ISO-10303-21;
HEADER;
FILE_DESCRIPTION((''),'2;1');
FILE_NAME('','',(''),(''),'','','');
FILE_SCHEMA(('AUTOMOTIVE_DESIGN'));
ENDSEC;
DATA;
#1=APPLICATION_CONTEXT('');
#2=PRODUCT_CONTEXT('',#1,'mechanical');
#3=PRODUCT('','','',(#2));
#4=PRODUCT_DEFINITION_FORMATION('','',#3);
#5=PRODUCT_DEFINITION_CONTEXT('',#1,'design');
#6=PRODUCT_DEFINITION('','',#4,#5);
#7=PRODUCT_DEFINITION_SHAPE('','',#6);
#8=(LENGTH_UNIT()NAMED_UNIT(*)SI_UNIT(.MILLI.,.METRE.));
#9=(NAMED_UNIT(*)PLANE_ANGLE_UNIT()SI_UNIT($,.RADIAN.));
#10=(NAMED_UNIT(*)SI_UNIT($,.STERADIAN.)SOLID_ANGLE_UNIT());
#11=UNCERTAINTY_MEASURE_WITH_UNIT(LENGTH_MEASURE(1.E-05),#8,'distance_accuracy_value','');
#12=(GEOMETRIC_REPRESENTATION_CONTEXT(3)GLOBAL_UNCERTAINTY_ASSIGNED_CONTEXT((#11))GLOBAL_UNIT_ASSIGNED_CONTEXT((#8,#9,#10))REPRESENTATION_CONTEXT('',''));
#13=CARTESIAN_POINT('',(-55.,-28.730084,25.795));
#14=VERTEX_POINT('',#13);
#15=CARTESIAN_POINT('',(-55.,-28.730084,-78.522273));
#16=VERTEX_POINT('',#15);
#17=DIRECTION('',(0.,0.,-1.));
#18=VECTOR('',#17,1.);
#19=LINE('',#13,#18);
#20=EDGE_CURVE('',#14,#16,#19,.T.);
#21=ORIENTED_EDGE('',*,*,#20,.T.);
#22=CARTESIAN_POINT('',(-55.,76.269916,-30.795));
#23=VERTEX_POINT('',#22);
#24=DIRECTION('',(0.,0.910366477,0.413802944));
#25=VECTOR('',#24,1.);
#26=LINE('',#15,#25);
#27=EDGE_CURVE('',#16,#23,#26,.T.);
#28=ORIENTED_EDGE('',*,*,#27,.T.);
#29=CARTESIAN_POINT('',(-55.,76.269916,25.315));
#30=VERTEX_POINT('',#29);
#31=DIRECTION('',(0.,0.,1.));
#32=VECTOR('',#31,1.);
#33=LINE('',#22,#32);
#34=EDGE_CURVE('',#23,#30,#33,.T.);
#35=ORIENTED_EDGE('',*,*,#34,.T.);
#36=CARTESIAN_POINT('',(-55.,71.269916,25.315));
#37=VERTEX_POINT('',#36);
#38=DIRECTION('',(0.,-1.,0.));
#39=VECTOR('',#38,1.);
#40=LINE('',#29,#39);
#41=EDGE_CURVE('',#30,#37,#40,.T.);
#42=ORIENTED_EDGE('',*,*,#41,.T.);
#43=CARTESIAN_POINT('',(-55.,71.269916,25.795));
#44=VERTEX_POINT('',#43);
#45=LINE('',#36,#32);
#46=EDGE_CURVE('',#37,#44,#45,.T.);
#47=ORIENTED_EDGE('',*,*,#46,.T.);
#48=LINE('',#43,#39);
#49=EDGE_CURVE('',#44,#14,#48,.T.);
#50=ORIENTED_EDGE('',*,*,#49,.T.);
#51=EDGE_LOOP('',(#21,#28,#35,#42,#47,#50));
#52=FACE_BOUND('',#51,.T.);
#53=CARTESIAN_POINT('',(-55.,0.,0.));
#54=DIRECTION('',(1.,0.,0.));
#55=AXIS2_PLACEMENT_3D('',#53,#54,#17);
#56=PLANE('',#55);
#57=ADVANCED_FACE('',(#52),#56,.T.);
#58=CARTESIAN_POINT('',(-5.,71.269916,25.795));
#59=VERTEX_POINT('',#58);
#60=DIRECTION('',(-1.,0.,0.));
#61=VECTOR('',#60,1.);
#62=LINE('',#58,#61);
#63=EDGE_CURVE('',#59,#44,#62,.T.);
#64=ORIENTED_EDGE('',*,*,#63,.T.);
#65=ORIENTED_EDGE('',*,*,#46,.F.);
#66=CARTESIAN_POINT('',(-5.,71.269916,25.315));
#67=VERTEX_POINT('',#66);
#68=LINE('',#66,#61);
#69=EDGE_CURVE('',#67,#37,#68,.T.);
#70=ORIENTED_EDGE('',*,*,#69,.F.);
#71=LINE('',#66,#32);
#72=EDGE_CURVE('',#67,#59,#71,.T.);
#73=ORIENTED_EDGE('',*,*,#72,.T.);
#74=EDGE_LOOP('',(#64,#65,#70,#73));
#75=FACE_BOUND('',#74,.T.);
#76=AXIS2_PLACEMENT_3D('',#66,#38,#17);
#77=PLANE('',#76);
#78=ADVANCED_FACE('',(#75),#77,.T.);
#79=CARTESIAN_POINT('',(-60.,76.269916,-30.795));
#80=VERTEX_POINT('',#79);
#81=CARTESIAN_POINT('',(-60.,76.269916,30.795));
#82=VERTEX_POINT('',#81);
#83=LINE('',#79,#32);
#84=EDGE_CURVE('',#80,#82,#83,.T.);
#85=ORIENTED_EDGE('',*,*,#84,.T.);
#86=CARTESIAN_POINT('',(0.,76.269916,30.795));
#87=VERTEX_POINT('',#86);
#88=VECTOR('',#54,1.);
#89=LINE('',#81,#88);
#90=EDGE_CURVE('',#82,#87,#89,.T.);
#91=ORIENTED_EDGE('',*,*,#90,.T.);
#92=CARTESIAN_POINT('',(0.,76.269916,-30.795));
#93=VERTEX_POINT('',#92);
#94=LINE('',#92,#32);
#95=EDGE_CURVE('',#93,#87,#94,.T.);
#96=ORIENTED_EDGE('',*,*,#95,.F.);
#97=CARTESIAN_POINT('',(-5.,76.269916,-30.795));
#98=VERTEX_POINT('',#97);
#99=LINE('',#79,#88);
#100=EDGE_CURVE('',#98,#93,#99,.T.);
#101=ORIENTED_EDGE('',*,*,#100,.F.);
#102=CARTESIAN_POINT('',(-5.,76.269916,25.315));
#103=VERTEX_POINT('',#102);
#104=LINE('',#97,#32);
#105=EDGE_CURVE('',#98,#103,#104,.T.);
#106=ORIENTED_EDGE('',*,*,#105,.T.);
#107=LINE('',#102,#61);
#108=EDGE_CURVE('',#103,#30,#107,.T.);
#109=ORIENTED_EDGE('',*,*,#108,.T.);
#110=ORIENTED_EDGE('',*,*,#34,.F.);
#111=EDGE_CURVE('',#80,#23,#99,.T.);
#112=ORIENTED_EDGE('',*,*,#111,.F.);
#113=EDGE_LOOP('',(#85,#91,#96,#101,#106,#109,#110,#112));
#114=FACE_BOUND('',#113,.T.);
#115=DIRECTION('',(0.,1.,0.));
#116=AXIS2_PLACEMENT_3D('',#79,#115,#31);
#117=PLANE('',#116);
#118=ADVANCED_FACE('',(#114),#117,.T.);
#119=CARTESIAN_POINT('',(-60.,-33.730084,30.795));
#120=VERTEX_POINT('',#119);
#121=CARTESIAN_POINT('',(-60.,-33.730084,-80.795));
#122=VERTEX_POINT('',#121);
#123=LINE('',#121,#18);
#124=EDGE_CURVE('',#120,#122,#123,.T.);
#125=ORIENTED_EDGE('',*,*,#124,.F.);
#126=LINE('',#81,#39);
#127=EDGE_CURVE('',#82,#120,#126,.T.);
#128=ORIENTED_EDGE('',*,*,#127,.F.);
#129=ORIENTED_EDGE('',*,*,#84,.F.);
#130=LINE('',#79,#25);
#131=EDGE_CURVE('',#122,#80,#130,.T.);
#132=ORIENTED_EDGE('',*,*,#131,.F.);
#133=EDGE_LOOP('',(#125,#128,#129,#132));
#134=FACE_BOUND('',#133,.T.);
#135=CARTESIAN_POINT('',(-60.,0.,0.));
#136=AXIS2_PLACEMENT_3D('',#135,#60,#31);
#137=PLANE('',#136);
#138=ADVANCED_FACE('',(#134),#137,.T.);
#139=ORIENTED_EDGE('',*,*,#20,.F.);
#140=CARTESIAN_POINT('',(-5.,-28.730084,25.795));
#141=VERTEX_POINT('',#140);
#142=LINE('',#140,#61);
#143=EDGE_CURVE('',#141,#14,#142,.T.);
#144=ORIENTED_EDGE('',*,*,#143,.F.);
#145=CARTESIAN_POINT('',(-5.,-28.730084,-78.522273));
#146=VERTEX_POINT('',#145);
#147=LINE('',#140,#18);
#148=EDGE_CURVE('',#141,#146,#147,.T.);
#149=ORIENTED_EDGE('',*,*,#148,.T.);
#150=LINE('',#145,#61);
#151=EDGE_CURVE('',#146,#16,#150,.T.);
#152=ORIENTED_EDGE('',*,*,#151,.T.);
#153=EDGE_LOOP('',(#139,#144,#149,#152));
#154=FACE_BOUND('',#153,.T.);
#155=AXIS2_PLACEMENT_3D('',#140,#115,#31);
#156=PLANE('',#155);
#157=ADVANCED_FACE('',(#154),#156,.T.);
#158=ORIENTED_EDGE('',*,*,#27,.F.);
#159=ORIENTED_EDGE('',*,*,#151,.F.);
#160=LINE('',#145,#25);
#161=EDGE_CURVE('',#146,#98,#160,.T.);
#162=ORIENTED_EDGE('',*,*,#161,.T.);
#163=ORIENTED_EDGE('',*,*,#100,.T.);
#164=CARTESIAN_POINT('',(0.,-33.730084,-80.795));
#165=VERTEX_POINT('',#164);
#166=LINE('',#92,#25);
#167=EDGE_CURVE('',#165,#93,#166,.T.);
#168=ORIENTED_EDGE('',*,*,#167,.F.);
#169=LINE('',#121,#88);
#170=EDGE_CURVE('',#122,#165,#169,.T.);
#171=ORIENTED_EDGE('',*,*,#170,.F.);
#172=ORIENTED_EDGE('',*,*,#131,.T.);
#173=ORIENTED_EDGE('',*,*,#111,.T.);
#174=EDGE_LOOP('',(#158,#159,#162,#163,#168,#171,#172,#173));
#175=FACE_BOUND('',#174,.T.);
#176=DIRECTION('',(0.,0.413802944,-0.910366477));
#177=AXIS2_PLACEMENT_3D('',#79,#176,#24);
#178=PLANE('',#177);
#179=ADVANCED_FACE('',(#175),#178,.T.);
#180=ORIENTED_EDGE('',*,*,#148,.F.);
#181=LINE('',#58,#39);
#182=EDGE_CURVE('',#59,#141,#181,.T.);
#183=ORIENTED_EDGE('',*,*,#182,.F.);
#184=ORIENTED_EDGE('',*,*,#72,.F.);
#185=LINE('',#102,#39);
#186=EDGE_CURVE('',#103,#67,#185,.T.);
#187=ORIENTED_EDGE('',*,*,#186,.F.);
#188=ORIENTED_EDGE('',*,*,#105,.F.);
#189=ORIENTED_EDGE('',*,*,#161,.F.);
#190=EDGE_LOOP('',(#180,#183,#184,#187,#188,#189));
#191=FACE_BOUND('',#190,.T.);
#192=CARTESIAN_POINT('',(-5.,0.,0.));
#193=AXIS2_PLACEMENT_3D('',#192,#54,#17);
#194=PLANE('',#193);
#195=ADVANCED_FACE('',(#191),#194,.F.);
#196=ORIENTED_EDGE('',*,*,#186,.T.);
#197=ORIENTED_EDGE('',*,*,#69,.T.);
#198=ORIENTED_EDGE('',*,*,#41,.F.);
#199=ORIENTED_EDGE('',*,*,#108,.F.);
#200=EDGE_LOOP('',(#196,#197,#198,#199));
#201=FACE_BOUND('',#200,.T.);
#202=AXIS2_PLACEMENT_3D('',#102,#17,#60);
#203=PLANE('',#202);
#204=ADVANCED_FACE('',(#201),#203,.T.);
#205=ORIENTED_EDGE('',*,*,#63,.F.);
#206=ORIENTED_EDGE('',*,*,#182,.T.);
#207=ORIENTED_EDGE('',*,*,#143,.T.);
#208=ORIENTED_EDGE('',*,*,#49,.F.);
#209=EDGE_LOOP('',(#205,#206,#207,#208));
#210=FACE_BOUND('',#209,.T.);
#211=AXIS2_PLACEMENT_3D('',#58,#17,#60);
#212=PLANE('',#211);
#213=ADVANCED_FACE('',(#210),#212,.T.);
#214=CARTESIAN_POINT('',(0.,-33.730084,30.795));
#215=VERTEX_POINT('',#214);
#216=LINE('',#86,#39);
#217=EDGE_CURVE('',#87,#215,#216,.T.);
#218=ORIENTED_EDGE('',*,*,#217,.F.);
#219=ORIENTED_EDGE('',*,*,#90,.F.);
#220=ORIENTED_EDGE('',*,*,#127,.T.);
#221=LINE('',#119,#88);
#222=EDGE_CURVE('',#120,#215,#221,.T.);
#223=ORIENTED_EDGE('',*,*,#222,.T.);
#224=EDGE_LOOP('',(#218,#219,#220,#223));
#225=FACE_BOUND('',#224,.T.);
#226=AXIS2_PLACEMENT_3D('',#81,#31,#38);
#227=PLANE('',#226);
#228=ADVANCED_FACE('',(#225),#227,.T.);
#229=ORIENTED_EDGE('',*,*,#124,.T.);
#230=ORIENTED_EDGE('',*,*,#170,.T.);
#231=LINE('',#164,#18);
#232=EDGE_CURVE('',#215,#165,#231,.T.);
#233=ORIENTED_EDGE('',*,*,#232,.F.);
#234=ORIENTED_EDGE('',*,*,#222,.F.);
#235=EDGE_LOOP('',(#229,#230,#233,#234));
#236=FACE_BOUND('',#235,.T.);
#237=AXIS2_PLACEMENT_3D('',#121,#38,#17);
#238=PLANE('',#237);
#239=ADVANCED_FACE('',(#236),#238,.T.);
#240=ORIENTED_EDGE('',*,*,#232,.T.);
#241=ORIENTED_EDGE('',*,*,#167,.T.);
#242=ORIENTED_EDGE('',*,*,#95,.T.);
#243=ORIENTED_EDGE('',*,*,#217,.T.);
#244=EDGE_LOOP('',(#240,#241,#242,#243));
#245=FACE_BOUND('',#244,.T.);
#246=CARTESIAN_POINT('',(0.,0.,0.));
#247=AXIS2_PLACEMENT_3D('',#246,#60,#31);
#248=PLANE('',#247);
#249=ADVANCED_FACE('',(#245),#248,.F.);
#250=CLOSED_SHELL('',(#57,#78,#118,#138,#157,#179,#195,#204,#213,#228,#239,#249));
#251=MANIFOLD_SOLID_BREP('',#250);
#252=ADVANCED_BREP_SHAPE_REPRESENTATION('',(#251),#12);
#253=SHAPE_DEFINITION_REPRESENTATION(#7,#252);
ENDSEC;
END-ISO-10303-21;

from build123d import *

# Parameters (mm, degrees)
BOSS_EXTRUDE1_DEPTH     = 60
CUT_EXTRUDE1_DEPTH      = 25
CUT_EXTRUDE1_DEPTH_BACK = 25


with BuildPart() as part:
    # Sketch1 → Boss-Extrude1 (new body)
    with BuildSketch(Plane(origin=(0, 0, 0), x_dir=(0, 0, -1), z_dir=(1, 0, 0))):
        Polygon((30.795, 76.26991563), (80.795, -33.73008437), (-30.795, -33.73008437), (-30.795, 76.26991563), align=None)
    extrude(amount=-BOSS_EXTRUDE1_DEPTH)

    # Sketch2 → Cut-Extrude1 (cut, two sides: drawn at the far end of the back side and taken through both)
    with BuildSketch(Plane(origin=(-30, 0, 0), x_dir=(0, 0, -1), z_dir=(1, 0, 0)).offset(-CUT_EXTRUDE1_DEPTH_BACK)):
        Polygon((30.795, 76.26991563), (-25.315, 76.26991563), (-25.315, 71.26991563), (-25.795, 71.26991563), (-25.795, -28.73008437), (78.522272727, -28.73008437), align=None)
    extrude(amount=CUT_EXTRUDE1_DEPTH + CUT_EXTRUDE1_DEPTH_BACK, mode=Mode.SUBTRACT)


solid = part.part
